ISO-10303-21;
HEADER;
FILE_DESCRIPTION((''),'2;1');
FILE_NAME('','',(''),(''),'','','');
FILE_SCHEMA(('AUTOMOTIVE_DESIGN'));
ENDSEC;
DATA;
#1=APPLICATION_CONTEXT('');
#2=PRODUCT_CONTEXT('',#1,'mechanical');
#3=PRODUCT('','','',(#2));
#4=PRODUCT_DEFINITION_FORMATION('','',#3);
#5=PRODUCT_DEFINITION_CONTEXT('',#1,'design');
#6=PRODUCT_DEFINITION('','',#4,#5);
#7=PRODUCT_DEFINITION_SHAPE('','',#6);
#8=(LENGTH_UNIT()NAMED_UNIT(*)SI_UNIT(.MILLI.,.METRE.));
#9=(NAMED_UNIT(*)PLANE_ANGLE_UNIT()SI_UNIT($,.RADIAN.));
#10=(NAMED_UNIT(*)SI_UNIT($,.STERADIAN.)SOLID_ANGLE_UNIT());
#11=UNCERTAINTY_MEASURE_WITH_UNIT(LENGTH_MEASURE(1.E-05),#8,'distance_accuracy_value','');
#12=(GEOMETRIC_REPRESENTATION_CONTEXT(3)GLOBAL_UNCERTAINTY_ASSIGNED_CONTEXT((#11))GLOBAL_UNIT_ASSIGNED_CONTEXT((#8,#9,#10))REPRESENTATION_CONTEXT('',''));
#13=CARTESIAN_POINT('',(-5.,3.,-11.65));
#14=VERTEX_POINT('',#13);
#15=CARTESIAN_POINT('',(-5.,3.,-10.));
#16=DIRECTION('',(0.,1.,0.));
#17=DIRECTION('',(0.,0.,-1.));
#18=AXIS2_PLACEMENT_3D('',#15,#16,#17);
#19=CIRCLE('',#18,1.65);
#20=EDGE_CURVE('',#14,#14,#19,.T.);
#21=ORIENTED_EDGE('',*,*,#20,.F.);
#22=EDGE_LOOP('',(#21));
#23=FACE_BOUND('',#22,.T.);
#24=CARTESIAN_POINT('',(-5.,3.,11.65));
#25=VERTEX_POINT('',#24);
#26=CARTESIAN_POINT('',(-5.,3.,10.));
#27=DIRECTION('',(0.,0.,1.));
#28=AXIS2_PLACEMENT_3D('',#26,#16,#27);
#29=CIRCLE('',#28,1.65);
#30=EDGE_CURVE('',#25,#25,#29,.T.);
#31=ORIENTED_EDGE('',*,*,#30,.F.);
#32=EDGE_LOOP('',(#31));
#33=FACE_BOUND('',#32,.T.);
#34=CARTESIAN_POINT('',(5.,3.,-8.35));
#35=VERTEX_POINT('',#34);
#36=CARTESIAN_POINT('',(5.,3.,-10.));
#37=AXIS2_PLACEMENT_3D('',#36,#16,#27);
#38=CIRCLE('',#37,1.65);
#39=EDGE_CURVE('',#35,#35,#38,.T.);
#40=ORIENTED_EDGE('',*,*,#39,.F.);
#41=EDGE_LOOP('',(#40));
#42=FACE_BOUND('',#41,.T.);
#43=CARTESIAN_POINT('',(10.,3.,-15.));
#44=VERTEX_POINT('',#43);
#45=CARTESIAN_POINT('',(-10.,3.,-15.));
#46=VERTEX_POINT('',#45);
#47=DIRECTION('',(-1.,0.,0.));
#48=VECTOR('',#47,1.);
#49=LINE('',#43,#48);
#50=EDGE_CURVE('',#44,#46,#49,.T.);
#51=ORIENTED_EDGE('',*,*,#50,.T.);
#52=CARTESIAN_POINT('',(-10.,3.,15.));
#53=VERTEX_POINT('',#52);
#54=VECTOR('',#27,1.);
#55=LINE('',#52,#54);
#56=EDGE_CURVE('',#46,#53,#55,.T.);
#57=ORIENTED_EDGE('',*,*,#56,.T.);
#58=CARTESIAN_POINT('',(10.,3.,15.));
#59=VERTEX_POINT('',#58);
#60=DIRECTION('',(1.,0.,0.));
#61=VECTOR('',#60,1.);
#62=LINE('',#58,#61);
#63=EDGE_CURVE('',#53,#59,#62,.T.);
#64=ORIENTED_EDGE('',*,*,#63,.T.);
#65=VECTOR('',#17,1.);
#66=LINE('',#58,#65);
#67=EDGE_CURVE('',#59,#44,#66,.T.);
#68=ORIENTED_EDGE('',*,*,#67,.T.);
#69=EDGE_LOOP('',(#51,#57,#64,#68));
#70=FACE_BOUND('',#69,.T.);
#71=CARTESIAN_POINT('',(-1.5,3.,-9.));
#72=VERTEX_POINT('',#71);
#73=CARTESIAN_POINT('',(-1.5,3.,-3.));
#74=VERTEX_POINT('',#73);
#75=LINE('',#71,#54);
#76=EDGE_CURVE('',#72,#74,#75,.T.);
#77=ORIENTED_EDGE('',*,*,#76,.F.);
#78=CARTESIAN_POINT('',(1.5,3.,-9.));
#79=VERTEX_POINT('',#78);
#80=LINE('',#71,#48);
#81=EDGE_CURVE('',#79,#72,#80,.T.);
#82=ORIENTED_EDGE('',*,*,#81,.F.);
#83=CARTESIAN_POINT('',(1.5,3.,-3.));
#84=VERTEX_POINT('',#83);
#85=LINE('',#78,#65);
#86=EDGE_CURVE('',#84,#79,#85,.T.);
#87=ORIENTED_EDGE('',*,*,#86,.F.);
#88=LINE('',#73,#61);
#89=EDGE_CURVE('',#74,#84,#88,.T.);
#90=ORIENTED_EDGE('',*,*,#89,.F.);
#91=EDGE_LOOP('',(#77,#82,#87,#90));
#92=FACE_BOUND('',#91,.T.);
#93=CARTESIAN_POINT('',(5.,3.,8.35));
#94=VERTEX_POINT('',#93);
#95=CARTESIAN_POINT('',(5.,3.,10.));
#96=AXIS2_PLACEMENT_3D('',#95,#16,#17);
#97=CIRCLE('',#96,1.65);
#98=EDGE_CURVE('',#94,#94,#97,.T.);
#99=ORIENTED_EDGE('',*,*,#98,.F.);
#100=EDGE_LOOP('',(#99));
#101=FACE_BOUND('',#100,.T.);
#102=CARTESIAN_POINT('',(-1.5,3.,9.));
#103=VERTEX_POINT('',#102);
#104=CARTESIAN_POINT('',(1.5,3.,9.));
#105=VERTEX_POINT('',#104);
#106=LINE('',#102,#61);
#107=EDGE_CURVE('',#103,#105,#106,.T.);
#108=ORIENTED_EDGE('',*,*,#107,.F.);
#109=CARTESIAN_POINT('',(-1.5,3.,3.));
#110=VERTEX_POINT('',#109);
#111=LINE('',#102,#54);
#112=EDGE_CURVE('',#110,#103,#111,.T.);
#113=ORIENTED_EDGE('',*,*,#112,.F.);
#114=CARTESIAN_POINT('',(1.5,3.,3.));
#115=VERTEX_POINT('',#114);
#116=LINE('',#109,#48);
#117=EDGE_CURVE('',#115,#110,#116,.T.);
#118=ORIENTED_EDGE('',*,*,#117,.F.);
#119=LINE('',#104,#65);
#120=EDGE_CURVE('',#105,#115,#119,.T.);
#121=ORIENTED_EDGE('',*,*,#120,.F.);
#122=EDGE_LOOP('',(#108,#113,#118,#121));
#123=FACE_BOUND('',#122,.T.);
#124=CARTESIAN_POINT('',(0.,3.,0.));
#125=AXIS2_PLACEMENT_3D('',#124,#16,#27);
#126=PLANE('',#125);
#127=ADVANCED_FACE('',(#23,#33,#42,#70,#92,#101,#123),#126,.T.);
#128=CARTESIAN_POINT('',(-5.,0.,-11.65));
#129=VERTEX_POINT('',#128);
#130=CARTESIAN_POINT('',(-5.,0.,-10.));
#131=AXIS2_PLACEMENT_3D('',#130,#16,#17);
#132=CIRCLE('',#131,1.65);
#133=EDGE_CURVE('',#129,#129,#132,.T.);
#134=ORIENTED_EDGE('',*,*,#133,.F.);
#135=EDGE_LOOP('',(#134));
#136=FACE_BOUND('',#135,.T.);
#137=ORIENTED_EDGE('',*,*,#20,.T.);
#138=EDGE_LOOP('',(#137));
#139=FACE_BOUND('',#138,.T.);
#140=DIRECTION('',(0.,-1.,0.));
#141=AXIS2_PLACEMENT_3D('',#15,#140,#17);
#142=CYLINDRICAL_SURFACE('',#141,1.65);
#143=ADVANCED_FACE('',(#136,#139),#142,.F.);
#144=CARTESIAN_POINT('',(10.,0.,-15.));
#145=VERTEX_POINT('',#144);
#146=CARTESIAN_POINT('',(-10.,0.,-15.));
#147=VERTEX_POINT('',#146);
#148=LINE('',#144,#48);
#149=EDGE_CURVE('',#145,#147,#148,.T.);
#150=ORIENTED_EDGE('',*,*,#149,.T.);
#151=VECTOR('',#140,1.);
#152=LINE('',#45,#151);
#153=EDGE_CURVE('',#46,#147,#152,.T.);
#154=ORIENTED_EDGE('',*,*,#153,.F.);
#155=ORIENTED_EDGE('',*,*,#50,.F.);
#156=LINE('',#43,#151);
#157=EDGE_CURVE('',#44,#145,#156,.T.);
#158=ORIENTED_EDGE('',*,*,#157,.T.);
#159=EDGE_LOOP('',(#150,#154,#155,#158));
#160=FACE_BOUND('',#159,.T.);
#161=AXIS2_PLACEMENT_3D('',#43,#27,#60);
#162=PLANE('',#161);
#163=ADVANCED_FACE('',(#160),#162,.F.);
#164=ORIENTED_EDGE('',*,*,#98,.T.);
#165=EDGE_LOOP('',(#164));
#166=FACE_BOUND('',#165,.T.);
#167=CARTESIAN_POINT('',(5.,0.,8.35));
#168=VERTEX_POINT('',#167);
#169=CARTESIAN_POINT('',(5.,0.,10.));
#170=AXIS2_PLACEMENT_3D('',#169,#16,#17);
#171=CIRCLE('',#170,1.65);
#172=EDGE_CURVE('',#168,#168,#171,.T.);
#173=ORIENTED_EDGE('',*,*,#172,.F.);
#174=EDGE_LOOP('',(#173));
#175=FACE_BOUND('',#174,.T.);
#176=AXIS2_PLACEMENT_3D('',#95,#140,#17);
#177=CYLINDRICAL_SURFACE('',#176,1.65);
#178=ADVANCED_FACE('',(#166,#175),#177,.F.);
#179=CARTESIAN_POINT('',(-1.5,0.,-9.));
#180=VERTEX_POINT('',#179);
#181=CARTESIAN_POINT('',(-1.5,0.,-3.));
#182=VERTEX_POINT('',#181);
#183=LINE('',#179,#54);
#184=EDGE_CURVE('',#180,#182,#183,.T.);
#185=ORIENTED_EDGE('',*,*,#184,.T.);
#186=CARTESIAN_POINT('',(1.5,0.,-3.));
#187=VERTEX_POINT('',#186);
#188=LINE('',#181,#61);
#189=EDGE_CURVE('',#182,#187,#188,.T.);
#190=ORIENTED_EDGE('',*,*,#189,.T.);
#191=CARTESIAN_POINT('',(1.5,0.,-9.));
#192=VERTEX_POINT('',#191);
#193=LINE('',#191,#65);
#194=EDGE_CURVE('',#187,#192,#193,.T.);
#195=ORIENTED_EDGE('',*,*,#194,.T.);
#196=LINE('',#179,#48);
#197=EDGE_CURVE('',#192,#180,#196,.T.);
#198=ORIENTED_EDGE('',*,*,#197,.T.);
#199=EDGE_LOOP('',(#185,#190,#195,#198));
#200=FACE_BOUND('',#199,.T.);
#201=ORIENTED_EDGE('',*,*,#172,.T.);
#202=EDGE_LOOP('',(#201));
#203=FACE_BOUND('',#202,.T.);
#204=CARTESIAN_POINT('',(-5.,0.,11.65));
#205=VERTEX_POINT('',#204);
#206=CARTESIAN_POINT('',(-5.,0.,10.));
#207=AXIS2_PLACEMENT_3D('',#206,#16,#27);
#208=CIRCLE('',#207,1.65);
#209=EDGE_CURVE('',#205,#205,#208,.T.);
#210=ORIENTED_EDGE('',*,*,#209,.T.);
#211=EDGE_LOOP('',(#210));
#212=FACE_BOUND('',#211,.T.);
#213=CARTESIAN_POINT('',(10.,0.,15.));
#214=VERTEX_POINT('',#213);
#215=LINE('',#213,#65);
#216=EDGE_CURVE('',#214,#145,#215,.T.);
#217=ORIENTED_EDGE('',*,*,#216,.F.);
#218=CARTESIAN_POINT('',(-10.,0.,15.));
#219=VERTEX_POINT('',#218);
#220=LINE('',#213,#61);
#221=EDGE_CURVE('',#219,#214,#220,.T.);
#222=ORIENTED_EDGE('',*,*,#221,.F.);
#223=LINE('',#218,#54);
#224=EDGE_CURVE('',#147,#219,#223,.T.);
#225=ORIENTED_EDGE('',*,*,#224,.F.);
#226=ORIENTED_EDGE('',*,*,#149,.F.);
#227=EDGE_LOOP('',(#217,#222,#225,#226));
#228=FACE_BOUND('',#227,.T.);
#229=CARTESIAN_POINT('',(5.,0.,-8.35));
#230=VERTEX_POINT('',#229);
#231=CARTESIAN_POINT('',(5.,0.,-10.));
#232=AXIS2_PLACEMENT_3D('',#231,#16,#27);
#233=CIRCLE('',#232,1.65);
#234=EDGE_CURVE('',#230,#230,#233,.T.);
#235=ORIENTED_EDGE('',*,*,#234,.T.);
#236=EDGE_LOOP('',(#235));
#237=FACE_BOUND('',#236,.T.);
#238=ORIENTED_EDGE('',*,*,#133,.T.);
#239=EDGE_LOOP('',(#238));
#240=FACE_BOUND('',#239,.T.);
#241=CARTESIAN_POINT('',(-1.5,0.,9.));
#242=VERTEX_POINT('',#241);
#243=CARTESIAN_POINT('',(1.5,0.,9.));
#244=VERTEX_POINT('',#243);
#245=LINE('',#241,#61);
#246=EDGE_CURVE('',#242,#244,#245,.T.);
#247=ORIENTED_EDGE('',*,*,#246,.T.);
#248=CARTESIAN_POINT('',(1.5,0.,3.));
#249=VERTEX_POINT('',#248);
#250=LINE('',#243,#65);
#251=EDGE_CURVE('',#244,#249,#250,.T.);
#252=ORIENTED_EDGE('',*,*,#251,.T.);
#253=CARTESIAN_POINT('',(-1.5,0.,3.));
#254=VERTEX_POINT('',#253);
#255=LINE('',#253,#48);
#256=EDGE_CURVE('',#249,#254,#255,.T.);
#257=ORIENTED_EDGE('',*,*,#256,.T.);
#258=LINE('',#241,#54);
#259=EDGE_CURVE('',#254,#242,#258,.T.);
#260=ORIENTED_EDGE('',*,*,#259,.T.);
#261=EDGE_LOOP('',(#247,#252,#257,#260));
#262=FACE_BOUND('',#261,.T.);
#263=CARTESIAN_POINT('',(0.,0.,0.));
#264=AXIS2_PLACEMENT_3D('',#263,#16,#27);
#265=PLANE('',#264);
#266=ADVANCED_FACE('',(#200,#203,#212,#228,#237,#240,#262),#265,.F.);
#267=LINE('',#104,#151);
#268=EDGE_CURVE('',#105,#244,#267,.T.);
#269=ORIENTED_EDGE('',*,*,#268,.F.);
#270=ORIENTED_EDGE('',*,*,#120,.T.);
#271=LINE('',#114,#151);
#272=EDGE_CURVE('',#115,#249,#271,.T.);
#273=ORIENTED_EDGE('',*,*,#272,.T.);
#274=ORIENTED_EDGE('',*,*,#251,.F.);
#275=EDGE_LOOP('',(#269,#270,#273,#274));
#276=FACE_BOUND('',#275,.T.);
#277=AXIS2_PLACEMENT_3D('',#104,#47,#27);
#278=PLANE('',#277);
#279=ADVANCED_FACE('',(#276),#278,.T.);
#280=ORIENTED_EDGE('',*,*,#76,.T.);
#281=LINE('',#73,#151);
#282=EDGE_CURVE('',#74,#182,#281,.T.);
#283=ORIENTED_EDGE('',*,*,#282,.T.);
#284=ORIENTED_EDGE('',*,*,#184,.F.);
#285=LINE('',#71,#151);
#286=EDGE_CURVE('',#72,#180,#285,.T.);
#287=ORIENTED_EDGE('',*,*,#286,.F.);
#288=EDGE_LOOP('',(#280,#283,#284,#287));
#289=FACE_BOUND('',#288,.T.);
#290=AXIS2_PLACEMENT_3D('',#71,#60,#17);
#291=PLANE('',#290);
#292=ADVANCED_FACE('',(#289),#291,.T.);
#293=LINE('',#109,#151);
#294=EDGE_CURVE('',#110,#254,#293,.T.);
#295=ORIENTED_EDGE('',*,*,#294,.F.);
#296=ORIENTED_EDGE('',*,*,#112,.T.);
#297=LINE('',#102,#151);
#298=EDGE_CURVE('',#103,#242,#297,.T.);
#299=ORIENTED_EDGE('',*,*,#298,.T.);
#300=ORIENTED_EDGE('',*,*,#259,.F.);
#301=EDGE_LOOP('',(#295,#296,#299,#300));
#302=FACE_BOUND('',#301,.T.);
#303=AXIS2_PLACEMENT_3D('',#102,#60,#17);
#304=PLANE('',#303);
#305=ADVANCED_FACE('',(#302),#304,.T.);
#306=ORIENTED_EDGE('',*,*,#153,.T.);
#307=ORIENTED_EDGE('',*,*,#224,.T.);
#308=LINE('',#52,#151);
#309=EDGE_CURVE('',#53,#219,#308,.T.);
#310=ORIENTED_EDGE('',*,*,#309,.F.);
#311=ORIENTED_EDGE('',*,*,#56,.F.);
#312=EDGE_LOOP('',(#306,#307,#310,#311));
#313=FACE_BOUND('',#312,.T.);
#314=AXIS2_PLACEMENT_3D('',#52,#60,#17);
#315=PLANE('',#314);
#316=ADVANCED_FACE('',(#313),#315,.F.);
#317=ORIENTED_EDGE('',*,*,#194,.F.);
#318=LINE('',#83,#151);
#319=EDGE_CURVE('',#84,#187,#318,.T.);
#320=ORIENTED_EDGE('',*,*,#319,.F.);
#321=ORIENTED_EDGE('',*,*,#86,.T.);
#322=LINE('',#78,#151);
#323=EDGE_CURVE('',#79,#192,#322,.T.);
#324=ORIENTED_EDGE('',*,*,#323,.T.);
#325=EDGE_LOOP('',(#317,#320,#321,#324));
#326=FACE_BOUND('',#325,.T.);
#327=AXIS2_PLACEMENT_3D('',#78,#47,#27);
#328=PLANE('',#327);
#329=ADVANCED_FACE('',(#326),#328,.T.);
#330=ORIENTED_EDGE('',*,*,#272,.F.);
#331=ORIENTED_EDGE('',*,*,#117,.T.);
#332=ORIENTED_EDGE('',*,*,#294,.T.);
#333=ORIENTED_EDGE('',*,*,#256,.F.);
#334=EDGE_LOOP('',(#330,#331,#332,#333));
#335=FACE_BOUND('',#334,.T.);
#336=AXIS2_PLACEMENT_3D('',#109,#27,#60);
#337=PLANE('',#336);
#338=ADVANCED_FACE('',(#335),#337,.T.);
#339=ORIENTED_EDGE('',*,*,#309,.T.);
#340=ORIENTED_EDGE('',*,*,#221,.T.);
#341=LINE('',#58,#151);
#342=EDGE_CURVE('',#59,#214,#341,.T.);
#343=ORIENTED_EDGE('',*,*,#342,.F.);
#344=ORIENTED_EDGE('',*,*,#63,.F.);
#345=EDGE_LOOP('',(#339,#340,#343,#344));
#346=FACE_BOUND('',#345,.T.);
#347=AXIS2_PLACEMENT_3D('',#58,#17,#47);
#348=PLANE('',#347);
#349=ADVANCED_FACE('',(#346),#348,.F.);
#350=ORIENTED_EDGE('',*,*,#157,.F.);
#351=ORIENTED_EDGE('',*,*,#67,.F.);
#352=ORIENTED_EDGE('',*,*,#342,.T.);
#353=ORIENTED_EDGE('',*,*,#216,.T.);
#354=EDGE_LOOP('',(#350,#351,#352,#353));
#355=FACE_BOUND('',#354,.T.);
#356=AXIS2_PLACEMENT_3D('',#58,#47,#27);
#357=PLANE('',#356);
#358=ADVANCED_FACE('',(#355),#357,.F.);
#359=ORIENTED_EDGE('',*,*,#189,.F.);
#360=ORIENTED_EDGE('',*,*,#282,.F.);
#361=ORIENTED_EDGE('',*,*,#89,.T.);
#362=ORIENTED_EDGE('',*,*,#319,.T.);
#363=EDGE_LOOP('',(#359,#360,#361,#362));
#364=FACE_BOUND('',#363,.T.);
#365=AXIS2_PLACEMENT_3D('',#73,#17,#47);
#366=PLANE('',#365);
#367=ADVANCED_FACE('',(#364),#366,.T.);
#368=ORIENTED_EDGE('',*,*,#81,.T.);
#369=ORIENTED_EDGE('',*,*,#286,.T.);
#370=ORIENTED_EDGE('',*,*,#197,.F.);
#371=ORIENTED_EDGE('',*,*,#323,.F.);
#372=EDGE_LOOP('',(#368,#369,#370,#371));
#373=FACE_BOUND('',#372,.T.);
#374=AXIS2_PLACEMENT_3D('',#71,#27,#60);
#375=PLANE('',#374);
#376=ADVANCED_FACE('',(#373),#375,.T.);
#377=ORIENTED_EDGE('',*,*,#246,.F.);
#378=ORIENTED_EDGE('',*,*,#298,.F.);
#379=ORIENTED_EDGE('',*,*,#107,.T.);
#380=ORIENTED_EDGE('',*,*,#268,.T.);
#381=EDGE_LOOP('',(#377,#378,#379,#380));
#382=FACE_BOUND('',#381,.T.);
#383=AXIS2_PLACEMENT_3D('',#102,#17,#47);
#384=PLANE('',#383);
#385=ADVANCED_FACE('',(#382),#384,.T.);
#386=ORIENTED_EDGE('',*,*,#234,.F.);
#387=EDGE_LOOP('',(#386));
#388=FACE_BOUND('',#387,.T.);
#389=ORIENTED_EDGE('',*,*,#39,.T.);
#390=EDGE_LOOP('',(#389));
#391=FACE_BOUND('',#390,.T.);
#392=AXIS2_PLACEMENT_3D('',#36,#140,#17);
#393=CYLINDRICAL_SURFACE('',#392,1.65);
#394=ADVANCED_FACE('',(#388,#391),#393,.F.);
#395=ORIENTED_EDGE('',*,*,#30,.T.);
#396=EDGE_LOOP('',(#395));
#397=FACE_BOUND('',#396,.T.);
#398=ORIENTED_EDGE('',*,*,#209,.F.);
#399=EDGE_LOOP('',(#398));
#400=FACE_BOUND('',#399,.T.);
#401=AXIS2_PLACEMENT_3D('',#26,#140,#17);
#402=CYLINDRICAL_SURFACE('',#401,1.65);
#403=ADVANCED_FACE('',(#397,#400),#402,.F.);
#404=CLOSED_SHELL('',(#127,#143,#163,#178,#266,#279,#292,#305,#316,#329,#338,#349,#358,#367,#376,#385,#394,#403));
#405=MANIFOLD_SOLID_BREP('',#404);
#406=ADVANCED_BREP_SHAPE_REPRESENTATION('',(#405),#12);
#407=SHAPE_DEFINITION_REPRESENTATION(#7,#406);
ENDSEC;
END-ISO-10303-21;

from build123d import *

# Parameters (mm, degrees)
SKETCH1_W           = 20
SKETCH1_H           = 30
SKETCH1_R           = 1.65
SKETCH1_W_2         = 3
SKETCH1_H_2         = 6
BOSS_EXTRUDE1_DEPTH = 3


with BuildPart() as part:
    # Sketch1 → Boss-Extrude1 (new body)
    with BuildSketch(Plane(origin=(0, 0, 0), x_dir=(1, 0, 0), z_dir=(0, 1, 0))):
        Rectangle(SKETCH1_W, SKETCH1_H)
        with Locations((-5, -10)):
            Circle(SKETCH1_R, mode=Mode.SUBTRACT)
        with Locations((5, -10)):
            Circle(SKETCH1_R, mode=Mode.SUBTRACT)
        with Locations((5, 10)):
            Circle(SKETCH1_R, mode=Mode.SUBTRACT)
        with Locations((-5, 10)):
            Circle(SKETCH1_R, mode=Mode.SUBTRACT)
        with Locations((0, 6)):
            Rectangle(SKETCH1_W_2, SKETCH1_H_2, mode=Mode.SUBTRACT)
        with Locations((0, -6)):
            Rectangle(SKETCH1_W_2, SKETCH1_H_2, mode=Mode.SUBTRACT)
    extrude(amount=BOSS_EXTRUDE1_DEPTH)


solid = part.part
